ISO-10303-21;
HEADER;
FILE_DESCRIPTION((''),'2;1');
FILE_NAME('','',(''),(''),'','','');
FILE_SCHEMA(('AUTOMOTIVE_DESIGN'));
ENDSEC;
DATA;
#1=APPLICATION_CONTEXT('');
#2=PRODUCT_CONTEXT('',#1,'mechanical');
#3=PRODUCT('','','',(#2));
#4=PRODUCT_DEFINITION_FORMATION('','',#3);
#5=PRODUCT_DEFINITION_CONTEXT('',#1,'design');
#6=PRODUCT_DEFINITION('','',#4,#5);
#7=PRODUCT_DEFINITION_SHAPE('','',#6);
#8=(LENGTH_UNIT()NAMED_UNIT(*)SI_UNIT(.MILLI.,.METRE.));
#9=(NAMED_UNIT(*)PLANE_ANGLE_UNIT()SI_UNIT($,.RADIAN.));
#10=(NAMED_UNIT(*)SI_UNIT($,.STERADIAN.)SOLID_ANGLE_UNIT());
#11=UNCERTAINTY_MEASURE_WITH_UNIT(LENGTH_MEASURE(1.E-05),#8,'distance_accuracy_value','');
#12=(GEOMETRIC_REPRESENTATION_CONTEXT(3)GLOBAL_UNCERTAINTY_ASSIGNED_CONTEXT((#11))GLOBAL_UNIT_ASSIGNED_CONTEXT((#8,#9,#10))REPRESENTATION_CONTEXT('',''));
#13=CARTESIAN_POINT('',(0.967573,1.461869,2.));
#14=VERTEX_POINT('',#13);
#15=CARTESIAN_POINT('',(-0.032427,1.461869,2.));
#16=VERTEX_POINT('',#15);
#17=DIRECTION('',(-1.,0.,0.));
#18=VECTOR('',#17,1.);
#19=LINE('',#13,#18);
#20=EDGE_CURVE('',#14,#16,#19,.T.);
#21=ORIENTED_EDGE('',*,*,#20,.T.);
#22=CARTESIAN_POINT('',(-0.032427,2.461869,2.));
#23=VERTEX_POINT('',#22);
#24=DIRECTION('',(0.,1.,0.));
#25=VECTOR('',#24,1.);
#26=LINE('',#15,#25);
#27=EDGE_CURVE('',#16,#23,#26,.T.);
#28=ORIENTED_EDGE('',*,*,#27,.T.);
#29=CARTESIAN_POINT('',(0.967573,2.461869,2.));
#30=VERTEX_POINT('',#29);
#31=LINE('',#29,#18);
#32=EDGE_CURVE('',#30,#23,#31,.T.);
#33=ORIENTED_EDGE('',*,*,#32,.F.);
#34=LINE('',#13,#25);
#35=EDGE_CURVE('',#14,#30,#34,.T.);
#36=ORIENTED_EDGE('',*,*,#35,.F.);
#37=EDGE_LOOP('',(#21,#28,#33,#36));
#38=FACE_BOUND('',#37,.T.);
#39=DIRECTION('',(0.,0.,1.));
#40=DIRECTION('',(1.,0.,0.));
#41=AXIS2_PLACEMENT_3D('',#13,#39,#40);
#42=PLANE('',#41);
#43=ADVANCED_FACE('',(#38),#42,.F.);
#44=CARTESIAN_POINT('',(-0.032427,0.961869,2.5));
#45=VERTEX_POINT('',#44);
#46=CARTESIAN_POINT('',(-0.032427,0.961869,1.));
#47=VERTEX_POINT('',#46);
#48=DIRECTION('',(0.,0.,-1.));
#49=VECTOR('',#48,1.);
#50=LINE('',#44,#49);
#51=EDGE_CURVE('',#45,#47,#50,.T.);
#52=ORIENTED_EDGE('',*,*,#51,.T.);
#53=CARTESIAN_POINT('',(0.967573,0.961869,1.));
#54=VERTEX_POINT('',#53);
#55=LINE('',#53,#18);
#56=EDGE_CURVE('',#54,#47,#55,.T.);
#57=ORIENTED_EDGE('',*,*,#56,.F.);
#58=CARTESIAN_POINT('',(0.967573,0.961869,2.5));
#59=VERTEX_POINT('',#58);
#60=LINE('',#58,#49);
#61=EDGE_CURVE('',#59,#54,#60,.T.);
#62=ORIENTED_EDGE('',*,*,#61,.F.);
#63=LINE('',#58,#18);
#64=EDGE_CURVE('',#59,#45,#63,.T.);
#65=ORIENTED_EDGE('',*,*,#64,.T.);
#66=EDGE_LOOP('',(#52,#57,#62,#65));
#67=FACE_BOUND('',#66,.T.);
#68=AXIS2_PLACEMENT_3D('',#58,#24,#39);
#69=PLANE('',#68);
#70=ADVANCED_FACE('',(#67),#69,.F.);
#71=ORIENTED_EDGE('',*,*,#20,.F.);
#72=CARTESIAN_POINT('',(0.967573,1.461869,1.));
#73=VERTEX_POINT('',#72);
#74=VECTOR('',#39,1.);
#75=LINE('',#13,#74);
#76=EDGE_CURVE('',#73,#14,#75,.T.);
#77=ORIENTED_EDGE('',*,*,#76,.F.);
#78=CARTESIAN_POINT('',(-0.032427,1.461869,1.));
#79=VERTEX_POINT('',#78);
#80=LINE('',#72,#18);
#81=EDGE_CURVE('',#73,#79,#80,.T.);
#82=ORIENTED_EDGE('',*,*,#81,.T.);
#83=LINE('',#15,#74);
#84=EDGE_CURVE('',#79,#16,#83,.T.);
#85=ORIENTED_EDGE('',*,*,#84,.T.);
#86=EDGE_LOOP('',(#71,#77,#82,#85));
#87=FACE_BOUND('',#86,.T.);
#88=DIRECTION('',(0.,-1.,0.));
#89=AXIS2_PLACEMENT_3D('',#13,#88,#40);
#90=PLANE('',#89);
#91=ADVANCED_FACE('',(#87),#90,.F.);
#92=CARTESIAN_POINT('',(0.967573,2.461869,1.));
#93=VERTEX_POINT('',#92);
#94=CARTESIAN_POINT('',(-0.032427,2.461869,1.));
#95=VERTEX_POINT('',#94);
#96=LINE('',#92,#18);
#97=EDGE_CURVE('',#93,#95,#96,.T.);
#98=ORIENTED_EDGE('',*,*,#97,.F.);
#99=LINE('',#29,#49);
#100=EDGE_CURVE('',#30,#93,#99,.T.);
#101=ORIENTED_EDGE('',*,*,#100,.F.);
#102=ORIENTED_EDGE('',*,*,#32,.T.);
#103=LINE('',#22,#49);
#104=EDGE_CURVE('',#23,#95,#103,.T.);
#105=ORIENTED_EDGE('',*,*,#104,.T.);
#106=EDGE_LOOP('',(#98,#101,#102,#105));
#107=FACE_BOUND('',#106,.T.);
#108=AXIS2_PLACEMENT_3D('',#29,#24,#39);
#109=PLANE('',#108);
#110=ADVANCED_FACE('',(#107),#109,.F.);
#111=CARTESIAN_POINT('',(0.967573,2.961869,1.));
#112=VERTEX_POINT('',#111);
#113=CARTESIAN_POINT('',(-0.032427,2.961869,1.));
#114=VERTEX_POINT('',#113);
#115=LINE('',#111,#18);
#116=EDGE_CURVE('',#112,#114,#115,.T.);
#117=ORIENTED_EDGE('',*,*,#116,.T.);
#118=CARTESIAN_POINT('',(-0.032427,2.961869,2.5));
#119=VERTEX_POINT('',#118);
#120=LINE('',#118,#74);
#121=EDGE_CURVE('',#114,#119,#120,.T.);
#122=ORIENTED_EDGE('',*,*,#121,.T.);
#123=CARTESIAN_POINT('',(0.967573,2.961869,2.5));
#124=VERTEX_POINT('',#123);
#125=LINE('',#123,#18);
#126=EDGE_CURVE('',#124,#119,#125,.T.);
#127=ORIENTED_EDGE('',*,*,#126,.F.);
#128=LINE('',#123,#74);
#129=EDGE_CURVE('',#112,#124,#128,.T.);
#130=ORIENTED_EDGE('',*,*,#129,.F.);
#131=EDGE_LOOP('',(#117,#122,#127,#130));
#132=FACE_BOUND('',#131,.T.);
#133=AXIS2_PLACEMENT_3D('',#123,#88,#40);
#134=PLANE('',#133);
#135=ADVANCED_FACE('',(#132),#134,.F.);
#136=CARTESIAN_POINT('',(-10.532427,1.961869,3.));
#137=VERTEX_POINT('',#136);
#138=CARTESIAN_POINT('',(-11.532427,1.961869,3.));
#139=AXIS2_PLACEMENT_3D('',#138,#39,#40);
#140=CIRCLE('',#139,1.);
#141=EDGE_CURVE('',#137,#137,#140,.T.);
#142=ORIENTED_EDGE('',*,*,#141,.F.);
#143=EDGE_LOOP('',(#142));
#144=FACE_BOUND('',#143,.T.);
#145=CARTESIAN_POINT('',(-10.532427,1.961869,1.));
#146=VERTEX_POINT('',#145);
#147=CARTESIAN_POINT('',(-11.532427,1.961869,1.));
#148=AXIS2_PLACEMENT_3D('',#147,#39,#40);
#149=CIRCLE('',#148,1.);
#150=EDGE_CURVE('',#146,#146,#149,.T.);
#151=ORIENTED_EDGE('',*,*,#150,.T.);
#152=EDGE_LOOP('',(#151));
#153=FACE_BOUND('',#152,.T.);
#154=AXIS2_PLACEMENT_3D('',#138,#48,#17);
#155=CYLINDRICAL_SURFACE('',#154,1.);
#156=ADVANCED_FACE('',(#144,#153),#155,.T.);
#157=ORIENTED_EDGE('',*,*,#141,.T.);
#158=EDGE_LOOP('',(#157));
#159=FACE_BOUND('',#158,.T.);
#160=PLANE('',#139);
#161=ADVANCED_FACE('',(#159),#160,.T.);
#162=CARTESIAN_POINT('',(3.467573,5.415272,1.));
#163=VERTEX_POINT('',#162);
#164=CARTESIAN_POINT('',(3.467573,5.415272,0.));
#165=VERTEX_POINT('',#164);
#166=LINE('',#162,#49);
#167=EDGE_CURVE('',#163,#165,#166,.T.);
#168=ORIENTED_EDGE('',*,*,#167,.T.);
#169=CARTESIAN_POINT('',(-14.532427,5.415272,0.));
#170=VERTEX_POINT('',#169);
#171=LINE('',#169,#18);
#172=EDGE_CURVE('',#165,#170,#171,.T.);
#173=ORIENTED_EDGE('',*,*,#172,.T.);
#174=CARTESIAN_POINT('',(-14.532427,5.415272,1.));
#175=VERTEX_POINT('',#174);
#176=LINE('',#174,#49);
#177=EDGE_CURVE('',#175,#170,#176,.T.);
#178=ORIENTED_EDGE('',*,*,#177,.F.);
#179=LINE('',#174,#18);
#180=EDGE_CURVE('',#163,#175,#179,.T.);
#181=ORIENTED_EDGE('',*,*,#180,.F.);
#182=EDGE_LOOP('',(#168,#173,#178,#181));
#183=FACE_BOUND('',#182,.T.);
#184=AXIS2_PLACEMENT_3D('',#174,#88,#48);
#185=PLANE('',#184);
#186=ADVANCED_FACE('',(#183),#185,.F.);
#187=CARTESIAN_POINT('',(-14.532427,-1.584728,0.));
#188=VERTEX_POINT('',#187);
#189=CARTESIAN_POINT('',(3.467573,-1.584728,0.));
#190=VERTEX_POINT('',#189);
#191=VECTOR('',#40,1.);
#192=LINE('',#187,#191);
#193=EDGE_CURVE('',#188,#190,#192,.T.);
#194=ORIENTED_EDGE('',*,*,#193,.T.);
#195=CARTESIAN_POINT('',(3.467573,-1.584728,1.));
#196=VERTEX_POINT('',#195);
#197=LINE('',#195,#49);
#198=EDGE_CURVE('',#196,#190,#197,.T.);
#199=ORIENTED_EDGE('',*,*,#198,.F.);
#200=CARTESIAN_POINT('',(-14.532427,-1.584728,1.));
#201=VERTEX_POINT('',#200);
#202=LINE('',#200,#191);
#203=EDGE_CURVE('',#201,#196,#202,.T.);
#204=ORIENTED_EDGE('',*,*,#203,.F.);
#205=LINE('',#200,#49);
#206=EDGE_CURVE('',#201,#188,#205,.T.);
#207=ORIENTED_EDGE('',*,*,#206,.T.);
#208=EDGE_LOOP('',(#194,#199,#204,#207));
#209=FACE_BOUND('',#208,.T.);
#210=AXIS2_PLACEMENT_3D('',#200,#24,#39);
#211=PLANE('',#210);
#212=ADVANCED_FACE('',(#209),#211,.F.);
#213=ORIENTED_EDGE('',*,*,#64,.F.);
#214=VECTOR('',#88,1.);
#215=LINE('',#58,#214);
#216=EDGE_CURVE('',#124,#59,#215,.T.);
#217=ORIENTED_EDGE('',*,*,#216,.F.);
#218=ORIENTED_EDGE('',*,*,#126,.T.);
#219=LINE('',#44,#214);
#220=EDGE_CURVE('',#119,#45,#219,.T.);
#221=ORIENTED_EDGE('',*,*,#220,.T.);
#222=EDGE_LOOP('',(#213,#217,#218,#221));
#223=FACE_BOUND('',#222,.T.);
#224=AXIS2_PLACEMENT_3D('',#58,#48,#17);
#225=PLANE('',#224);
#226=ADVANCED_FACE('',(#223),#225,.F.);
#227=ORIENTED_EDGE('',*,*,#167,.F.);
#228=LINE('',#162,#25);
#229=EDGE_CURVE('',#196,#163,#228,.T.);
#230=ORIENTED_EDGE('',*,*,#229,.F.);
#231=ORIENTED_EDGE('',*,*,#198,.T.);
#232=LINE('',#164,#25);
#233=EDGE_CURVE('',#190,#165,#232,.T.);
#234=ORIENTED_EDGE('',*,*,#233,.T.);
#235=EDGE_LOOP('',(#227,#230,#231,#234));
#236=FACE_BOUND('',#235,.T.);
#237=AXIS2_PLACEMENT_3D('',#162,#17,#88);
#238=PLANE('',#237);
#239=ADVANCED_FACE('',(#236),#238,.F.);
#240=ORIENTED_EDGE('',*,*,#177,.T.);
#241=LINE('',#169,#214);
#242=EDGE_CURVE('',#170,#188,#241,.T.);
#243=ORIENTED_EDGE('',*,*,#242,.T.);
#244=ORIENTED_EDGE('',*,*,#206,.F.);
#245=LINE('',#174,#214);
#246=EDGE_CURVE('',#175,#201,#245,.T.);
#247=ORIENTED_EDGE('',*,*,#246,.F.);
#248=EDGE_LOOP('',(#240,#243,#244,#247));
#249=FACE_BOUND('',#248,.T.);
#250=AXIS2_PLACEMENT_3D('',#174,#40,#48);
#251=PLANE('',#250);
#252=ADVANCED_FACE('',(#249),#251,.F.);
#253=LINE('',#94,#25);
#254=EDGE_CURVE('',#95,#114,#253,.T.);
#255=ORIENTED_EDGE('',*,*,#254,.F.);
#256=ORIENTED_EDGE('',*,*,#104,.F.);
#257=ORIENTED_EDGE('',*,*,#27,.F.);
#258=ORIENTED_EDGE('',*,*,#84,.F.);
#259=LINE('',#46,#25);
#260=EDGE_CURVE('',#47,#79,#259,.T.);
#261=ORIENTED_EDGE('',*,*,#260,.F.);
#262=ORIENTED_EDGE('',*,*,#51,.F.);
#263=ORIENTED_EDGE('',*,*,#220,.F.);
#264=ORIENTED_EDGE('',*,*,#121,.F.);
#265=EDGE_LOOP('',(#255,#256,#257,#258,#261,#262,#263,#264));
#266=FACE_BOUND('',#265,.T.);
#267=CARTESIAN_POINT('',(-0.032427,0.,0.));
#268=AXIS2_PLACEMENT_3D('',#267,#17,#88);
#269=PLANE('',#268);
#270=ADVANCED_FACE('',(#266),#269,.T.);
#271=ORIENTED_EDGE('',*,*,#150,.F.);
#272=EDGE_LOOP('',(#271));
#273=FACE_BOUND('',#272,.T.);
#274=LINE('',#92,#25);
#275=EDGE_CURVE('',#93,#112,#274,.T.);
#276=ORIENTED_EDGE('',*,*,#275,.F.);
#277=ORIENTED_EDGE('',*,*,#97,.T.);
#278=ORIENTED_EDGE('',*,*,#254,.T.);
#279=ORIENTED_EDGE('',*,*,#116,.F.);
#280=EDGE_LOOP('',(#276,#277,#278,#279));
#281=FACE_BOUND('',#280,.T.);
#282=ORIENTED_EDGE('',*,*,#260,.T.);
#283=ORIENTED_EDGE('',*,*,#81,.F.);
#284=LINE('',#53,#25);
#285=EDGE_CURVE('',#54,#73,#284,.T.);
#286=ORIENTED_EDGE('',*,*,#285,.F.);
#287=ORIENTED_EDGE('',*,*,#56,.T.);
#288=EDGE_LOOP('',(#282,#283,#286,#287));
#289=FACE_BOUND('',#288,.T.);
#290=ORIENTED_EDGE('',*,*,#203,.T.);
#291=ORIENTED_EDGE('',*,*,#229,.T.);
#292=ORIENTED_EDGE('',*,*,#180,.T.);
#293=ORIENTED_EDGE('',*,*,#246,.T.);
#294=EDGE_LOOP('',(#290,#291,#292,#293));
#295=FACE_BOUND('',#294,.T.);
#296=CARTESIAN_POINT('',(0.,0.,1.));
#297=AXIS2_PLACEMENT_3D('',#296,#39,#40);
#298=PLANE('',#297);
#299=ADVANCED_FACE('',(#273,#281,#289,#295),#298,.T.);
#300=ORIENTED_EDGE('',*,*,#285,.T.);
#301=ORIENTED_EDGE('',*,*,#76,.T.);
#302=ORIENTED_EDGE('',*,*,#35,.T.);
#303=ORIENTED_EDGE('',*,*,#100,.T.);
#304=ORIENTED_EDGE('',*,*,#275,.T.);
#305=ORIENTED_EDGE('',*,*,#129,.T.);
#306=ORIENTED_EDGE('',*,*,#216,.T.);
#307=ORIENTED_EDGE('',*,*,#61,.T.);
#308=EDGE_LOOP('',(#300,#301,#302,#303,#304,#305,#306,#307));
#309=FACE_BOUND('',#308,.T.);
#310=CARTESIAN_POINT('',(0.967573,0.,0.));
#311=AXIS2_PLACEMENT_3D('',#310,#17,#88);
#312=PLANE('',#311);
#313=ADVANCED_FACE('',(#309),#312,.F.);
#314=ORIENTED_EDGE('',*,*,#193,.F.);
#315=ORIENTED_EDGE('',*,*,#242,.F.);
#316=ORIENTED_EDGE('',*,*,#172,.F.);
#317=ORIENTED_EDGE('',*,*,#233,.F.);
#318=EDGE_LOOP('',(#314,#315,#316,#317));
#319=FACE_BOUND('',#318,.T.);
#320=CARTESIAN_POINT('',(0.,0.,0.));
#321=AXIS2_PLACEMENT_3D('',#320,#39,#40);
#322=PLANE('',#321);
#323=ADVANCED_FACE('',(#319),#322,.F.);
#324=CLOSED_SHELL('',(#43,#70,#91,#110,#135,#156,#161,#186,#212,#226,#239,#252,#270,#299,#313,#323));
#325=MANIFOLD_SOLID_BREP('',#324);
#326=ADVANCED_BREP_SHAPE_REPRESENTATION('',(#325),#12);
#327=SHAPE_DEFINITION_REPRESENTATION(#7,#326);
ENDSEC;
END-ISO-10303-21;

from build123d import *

# Parameters (mm, degrees)
SKETCH_1_W      = 18
SKETCH_1_H      = 7
EXTRUDE_1_DEPTH = 1
SKETCH_3_R      = 1
EXTRUDE_2_DEPTH = 2
EXTRUDE_4_DEPTH = 0.5


with BuildPart() as part:
    # 草图1 → 凸台-拉伸1 (new body)
    with BuildSketch(Plane.XY):
        with Locations((-5.532426778, 1.915271967)):
            Rectangle(SKETCH_1_W, SKETCH_1_H)
    extrude(amount=EXTRUDE_1_DEPTH)

    # 草图3 → 凸台-拉伸2 (add)
    with BuildSketch(Plane.XY.offset(1)):
        with Locations((-11.532426778, 1.961868549)):
            Circle(SKETCH_3_R)
    extrude(amount=EXTRUDE_2_DEPTH)

    # 草图7 → 凸台-拉伸4 (add, symmetric)
    with BuildSketch(Plane(origin=(0.467573222, 0, 0), x_dir=(0, 0, -1), z_dir=(1, 0, 0))):
        Polygon((-2.5, 0.961868549), (-1, 0.961868549), (-1, 1.461868549), (-2, 1.461868549), (-2, 2.461868549), (-1, 2.461868549), (-1, 2.961868549), (-2.5, 2.961868549), align=None)
    extrude(amount=EXTRUDE_4_DEPTH, both=True)


solid = part.part
